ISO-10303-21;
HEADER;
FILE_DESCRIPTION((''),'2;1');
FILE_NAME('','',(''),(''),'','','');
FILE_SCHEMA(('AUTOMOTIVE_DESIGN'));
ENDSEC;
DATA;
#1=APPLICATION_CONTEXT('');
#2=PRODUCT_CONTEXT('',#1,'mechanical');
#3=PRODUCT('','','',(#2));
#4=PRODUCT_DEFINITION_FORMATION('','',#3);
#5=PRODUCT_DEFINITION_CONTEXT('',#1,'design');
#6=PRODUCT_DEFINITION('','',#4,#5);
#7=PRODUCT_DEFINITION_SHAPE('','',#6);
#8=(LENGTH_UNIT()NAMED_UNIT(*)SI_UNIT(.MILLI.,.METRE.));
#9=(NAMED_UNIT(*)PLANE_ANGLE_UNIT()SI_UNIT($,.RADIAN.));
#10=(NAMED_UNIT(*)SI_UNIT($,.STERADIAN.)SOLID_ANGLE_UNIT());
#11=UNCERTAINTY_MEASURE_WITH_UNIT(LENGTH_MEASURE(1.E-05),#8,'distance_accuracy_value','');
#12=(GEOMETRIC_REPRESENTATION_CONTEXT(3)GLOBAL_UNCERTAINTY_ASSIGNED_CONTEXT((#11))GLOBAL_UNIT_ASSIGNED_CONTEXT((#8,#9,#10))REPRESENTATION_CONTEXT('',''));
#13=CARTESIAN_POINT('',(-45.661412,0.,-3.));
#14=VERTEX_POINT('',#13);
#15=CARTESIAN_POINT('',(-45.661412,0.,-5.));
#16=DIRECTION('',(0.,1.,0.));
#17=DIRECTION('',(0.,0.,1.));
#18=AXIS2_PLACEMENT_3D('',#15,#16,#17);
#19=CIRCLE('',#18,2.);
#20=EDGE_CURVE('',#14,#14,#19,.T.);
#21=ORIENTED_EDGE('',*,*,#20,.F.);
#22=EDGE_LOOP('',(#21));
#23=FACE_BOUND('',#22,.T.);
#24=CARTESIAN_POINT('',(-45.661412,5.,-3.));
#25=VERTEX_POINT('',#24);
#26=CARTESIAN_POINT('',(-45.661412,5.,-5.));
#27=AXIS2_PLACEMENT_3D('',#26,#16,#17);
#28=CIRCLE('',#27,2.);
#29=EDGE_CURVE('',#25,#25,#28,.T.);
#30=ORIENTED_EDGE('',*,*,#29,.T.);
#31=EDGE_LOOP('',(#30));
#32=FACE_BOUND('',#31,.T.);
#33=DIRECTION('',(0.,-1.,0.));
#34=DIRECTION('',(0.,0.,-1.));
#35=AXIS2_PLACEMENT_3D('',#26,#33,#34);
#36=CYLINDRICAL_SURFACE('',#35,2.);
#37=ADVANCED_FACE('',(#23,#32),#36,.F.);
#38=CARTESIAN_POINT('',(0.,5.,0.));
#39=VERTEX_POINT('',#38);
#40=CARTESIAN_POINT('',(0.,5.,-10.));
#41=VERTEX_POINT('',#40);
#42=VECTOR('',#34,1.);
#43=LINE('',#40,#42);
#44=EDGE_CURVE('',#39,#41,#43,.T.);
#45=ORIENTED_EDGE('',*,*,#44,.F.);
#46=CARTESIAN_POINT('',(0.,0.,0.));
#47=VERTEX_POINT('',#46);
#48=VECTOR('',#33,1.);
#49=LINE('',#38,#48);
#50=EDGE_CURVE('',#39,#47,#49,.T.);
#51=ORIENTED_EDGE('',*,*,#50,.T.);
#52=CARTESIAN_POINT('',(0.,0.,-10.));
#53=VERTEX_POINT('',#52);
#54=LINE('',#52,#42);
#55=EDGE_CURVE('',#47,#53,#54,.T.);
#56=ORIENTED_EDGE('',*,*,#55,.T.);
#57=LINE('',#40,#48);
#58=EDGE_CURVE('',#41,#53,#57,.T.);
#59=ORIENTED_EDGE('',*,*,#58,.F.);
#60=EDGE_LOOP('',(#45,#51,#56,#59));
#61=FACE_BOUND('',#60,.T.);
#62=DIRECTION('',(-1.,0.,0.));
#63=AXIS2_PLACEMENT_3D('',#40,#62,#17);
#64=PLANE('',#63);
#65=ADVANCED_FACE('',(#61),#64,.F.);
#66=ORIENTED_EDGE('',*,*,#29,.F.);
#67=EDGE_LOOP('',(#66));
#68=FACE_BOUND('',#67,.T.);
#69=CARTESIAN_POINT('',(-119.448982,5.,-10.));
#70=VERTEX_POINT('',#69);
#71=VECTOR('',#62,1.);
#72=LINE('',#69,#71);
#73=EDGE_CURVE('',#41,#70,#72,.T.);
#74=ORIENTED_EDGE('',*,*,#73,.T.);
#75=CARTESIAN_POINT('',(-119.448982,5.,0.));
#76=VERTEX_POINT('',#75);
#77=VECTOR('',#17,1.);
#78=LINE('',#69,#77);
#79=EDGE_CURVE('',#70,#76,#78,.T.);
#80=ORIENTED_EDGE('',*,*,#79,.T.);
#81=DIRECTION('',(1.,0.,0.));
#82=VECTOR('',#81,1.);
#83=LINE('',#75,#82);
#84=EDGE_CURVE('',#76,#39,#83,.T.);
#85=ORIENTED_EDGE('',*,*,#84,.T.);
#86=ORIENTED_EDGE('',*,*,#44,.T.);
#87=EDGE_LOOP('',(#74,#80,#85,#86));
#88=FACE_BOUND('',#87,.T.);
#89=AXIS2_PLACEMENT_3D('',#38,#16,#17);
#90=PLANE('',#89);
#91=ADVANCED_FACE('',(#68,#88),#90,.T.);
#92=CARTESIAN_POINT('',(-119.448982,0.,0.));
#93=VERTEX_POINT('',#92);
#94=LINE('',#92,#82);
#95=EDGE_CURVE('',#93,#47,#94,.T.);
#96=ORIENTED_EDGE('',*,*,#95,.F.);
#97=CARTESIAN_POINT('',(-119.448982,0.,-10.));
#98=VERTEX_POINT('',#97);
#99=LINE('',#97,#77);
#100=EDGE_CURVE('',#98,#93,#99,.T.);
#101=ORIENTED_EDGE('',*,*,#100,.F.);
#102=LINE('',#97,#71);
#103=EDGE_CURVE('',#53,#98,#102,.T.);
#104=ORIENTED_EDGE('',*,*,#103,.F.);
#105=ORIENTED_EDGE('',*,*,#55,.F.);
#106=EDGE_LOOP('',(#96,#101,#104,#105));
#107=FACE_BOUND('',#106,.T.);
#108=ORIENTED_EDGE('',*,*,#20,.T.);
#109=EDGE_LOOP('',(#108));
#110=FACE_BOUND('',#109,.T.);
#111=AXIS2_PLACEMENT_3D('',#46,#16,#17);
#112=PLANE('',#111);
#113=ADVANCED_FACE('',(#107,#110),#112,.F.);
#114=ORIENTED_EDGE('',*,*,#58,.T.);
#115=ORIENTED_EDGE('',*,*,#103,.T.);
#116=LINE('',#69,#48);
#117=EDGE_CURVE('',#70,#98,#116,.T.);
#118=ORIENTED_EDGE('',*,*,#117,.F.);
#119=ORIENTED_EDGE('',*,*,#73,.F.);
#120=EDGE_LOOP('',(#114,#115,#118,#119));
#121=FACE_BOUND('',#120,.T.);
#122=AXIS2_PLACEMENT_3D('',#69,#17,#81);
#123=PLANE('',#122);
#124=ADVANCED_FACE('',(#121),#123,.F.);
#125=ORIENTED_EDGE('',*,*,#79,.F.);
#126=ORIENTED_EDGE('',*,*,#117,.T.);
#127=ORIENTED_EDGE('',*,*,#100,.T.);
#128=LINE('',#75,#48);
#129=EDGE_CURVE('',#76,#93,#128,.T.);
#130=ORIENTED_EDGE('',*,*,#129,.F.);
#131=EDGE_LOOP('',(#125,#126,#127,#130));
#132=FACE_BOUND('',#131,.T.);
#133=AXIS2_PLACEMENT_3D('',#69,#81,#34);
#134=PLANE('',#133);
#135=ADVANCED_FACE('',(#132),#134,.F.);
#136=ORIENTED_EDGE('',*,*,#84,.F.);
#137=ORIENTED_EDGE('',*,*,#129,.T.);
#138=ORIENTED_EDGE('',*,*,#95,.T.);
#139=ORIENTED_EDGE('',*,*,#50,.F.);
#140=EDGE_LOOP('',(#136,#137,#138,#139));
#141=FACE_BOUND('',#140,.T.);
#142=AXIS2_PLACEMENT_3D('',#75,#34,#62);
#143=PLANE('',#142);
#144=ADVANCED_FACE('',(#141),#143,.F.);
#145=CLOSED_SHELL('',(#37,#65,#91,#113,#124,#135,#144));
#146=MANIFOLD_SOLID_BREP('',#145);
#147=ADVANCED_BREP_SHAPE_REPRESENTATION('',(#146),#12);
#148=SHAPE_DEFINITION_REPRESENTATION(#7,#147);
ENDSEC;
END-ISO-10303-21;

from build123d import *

# Parameters (mm, degrees)
SKETCH1_W           = 119.448982354
SKETCH1_H           = 10
SKETCH1_R           = 2
BOSS_EXTRUDE1_DEPTH = 5


with BuildPart() as part:
    # Sketch1 → Boss-Extrude1 (new body)
    with BuildSketch(Plane(origin=(0, 0, 0), x_dir=(1, 0, 0), z_dir=(0, 1, 0))):
        with Locations((-59.724491177, 5)):
            Rectangle(SKETCH1_W, SKETCH1_H)
        with Locations(Location((-45.661412325, 5, 0), (0, 0, 270))):
            Circle(SKETCH1_R, mode=Mode.SUBTRACT)
    extrude(amount=BOSS_EXTRUDE1_DEPTH)


solid = part.part
